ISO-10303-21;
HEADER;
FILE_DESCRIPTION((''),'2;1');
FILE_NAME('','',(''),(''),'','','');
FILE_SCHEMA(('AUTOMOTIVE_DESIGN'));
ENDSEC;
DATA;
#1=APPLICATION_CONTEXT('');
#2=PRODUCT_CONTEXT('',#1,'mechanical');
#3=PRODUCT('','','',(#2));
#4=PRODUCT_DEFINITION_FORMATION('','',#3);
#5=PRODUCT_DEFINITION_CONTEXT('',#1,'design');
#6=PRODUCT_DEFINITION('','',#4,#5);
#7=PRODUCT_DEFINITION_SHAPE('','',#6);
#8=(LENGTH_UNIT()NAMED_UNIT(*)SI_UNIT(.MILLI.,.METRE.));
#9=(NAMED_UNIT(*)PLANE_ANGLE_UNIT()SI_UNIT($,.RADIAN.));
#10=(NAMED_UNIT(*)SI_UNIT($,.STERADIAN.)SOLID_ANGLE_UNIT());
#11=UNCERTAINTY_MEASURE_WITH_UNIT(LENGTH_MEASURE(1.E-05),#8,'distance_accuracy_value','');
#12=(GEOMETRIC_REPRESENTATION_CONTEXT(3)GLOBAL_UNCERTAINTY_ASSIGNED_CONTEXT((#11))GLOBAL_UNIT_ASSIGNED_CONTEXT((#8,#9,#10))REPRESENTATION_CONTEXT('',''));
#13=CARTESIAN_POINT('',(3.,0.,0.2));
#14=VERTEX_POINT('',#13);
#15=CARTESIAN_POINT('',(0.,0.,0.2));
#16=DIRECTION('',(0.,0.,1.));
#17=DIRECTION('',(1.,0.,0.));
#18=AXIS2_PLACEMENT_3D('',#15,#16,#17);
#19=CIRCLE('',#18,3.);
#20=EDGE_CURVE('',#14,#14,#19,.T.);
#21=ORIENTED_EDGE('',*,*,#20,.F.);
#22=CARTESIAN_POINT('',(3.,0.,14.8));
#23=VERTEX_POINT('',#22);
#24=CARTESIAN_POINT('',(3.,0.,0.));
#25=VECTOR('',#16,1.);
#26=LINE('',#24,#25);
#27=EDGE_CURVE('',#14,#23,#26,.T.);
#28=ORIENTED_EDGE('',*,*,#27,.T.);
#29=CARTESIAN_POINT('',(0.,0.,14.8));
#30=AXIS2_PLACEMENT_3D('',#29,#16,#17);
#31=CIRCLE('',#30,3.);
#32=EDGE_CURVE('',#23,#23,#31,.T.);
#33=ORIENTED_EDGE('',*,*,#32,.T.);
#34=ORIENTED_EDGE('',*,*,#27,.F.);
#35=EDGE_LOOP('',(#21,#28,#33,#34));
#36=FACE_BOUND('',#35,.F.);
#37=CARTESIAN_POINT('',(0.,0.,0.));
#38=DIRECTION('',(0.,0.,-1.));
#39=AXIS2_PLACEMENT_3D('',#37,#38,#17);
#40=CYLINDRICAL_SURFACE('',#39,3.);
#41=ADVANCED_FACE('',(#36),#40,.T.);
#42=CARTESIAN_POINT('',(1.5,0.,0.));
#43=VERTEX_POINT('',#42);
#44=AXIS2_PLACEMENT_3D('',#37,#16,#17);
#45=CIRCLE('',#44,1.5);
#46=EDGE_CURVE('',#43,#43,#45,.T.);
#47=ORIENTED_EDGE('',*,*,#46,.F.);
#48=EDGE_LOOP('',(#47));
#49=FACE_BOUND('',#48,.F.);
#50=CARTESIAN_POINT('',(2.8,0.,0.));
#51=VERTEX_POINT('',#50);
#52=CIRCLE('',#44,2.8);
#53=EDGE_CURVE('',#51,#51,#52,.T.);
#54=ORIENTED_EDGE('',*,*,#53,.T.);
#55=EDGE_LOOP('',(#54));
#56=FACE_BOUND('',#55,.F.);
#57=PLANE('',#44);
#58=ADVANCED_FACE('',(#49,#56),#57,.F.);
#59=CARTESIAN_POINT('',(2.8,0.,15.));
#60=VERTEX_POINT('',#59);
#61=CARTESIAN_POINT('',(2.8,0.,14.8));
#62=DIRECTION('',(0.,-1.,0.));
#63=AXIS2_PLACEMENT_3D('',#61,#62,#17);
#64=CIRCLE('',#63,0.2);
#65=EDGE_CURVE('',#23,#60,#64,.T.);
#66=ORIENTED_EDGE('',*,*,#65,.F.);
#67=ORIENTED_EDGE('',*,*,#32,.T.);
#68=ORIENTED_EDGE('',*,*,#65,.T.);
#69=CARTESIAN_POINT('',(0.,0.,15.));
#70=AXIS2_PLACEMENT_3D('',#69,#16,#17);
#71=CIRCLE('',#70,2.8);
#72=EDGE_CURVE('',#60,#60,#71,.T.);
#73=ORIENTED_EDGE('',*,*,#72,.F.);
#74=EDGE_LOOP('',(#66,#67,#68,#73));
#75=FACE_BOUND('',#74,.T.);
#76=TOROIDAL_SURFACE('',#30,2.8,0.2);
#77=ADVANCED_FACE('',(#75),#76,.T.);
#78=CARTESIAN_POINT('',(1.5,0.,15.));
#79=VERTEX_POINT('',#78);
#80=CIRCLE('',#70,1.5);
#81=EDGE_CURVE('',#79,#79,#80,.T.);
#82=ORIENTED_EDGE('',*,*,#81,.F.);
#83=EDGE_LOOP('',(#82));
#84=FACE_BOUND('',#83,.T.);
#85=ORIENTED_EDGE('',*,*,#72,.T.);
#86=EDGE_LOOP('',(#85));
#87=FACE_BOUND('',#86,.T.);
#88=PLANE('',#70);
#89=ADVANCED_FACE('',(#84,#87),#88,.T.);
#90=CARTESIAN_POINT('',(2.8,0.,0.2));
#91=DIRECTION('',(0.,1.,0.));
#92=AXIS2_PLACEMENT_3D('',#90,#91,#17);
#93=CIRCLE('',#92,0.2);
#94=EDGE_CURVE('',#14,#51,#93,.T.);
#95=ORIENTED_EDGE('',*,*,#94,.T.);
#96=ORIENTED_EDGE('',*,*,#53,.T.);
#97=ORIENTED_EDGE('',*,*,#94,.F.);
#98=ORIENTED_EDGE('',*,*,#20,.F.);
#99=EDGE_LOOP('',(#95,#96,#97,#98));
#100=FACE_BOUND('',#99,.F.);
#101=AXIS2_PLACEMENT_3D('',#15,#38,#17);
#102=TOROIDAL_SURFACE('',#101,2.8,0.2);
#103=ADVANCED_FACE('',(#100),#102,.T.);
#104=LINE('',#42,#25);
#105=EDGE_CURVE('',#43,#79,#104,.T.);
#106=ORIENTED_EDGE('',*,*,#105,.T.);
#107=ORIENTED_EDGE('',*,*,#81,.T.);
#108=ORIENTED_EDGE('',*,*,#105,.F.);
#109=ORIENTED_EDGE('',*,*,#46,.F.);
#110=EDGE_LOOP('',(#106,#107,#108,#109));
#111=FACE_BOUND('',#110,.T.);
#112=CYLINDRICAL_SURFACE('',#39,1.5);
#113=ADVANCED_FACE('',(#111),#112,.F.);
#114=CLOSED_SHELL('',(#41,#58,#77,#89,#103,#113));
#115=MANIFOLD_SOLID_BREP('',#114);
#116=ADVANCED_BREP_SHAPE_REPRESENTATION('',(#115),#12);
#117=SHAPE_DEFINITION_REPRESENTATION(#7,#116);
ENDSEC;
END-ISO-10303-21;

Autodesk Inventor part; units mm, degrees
ref_plane "YZ Plane" through (0, 0, 0) normal (1, 0, 0) x (0, 1, 0)
ref_plane "XZ Plane" through (0, 0, 0) normal (0, 1, 0) x (-1, 0, 0)
ref_plane "XY Plane" through (0, 0, 0) normal (0, 0, 1) x (1, 0, 0)
sketch "スケッチ1" plane through (0, 0, 0) normal (0, 0, 1) x (1, 0, 0)
  circle A0 centre (0, 0) radius 3
  circle A1 centre (0, 0) radius 1.5
  dimension "d0" = 6
  dimension "d1" = 3
extrude "押し出し1" add sketch "スケッチ1" along normal blind 15
fillet "フィレット1" radius 0.2 2 edges at (-3, 0, 0) (-3, 0, 15)
properties part number "スペーサー中空M3L15アルミ" material "アルミニウム 2014-T4"
